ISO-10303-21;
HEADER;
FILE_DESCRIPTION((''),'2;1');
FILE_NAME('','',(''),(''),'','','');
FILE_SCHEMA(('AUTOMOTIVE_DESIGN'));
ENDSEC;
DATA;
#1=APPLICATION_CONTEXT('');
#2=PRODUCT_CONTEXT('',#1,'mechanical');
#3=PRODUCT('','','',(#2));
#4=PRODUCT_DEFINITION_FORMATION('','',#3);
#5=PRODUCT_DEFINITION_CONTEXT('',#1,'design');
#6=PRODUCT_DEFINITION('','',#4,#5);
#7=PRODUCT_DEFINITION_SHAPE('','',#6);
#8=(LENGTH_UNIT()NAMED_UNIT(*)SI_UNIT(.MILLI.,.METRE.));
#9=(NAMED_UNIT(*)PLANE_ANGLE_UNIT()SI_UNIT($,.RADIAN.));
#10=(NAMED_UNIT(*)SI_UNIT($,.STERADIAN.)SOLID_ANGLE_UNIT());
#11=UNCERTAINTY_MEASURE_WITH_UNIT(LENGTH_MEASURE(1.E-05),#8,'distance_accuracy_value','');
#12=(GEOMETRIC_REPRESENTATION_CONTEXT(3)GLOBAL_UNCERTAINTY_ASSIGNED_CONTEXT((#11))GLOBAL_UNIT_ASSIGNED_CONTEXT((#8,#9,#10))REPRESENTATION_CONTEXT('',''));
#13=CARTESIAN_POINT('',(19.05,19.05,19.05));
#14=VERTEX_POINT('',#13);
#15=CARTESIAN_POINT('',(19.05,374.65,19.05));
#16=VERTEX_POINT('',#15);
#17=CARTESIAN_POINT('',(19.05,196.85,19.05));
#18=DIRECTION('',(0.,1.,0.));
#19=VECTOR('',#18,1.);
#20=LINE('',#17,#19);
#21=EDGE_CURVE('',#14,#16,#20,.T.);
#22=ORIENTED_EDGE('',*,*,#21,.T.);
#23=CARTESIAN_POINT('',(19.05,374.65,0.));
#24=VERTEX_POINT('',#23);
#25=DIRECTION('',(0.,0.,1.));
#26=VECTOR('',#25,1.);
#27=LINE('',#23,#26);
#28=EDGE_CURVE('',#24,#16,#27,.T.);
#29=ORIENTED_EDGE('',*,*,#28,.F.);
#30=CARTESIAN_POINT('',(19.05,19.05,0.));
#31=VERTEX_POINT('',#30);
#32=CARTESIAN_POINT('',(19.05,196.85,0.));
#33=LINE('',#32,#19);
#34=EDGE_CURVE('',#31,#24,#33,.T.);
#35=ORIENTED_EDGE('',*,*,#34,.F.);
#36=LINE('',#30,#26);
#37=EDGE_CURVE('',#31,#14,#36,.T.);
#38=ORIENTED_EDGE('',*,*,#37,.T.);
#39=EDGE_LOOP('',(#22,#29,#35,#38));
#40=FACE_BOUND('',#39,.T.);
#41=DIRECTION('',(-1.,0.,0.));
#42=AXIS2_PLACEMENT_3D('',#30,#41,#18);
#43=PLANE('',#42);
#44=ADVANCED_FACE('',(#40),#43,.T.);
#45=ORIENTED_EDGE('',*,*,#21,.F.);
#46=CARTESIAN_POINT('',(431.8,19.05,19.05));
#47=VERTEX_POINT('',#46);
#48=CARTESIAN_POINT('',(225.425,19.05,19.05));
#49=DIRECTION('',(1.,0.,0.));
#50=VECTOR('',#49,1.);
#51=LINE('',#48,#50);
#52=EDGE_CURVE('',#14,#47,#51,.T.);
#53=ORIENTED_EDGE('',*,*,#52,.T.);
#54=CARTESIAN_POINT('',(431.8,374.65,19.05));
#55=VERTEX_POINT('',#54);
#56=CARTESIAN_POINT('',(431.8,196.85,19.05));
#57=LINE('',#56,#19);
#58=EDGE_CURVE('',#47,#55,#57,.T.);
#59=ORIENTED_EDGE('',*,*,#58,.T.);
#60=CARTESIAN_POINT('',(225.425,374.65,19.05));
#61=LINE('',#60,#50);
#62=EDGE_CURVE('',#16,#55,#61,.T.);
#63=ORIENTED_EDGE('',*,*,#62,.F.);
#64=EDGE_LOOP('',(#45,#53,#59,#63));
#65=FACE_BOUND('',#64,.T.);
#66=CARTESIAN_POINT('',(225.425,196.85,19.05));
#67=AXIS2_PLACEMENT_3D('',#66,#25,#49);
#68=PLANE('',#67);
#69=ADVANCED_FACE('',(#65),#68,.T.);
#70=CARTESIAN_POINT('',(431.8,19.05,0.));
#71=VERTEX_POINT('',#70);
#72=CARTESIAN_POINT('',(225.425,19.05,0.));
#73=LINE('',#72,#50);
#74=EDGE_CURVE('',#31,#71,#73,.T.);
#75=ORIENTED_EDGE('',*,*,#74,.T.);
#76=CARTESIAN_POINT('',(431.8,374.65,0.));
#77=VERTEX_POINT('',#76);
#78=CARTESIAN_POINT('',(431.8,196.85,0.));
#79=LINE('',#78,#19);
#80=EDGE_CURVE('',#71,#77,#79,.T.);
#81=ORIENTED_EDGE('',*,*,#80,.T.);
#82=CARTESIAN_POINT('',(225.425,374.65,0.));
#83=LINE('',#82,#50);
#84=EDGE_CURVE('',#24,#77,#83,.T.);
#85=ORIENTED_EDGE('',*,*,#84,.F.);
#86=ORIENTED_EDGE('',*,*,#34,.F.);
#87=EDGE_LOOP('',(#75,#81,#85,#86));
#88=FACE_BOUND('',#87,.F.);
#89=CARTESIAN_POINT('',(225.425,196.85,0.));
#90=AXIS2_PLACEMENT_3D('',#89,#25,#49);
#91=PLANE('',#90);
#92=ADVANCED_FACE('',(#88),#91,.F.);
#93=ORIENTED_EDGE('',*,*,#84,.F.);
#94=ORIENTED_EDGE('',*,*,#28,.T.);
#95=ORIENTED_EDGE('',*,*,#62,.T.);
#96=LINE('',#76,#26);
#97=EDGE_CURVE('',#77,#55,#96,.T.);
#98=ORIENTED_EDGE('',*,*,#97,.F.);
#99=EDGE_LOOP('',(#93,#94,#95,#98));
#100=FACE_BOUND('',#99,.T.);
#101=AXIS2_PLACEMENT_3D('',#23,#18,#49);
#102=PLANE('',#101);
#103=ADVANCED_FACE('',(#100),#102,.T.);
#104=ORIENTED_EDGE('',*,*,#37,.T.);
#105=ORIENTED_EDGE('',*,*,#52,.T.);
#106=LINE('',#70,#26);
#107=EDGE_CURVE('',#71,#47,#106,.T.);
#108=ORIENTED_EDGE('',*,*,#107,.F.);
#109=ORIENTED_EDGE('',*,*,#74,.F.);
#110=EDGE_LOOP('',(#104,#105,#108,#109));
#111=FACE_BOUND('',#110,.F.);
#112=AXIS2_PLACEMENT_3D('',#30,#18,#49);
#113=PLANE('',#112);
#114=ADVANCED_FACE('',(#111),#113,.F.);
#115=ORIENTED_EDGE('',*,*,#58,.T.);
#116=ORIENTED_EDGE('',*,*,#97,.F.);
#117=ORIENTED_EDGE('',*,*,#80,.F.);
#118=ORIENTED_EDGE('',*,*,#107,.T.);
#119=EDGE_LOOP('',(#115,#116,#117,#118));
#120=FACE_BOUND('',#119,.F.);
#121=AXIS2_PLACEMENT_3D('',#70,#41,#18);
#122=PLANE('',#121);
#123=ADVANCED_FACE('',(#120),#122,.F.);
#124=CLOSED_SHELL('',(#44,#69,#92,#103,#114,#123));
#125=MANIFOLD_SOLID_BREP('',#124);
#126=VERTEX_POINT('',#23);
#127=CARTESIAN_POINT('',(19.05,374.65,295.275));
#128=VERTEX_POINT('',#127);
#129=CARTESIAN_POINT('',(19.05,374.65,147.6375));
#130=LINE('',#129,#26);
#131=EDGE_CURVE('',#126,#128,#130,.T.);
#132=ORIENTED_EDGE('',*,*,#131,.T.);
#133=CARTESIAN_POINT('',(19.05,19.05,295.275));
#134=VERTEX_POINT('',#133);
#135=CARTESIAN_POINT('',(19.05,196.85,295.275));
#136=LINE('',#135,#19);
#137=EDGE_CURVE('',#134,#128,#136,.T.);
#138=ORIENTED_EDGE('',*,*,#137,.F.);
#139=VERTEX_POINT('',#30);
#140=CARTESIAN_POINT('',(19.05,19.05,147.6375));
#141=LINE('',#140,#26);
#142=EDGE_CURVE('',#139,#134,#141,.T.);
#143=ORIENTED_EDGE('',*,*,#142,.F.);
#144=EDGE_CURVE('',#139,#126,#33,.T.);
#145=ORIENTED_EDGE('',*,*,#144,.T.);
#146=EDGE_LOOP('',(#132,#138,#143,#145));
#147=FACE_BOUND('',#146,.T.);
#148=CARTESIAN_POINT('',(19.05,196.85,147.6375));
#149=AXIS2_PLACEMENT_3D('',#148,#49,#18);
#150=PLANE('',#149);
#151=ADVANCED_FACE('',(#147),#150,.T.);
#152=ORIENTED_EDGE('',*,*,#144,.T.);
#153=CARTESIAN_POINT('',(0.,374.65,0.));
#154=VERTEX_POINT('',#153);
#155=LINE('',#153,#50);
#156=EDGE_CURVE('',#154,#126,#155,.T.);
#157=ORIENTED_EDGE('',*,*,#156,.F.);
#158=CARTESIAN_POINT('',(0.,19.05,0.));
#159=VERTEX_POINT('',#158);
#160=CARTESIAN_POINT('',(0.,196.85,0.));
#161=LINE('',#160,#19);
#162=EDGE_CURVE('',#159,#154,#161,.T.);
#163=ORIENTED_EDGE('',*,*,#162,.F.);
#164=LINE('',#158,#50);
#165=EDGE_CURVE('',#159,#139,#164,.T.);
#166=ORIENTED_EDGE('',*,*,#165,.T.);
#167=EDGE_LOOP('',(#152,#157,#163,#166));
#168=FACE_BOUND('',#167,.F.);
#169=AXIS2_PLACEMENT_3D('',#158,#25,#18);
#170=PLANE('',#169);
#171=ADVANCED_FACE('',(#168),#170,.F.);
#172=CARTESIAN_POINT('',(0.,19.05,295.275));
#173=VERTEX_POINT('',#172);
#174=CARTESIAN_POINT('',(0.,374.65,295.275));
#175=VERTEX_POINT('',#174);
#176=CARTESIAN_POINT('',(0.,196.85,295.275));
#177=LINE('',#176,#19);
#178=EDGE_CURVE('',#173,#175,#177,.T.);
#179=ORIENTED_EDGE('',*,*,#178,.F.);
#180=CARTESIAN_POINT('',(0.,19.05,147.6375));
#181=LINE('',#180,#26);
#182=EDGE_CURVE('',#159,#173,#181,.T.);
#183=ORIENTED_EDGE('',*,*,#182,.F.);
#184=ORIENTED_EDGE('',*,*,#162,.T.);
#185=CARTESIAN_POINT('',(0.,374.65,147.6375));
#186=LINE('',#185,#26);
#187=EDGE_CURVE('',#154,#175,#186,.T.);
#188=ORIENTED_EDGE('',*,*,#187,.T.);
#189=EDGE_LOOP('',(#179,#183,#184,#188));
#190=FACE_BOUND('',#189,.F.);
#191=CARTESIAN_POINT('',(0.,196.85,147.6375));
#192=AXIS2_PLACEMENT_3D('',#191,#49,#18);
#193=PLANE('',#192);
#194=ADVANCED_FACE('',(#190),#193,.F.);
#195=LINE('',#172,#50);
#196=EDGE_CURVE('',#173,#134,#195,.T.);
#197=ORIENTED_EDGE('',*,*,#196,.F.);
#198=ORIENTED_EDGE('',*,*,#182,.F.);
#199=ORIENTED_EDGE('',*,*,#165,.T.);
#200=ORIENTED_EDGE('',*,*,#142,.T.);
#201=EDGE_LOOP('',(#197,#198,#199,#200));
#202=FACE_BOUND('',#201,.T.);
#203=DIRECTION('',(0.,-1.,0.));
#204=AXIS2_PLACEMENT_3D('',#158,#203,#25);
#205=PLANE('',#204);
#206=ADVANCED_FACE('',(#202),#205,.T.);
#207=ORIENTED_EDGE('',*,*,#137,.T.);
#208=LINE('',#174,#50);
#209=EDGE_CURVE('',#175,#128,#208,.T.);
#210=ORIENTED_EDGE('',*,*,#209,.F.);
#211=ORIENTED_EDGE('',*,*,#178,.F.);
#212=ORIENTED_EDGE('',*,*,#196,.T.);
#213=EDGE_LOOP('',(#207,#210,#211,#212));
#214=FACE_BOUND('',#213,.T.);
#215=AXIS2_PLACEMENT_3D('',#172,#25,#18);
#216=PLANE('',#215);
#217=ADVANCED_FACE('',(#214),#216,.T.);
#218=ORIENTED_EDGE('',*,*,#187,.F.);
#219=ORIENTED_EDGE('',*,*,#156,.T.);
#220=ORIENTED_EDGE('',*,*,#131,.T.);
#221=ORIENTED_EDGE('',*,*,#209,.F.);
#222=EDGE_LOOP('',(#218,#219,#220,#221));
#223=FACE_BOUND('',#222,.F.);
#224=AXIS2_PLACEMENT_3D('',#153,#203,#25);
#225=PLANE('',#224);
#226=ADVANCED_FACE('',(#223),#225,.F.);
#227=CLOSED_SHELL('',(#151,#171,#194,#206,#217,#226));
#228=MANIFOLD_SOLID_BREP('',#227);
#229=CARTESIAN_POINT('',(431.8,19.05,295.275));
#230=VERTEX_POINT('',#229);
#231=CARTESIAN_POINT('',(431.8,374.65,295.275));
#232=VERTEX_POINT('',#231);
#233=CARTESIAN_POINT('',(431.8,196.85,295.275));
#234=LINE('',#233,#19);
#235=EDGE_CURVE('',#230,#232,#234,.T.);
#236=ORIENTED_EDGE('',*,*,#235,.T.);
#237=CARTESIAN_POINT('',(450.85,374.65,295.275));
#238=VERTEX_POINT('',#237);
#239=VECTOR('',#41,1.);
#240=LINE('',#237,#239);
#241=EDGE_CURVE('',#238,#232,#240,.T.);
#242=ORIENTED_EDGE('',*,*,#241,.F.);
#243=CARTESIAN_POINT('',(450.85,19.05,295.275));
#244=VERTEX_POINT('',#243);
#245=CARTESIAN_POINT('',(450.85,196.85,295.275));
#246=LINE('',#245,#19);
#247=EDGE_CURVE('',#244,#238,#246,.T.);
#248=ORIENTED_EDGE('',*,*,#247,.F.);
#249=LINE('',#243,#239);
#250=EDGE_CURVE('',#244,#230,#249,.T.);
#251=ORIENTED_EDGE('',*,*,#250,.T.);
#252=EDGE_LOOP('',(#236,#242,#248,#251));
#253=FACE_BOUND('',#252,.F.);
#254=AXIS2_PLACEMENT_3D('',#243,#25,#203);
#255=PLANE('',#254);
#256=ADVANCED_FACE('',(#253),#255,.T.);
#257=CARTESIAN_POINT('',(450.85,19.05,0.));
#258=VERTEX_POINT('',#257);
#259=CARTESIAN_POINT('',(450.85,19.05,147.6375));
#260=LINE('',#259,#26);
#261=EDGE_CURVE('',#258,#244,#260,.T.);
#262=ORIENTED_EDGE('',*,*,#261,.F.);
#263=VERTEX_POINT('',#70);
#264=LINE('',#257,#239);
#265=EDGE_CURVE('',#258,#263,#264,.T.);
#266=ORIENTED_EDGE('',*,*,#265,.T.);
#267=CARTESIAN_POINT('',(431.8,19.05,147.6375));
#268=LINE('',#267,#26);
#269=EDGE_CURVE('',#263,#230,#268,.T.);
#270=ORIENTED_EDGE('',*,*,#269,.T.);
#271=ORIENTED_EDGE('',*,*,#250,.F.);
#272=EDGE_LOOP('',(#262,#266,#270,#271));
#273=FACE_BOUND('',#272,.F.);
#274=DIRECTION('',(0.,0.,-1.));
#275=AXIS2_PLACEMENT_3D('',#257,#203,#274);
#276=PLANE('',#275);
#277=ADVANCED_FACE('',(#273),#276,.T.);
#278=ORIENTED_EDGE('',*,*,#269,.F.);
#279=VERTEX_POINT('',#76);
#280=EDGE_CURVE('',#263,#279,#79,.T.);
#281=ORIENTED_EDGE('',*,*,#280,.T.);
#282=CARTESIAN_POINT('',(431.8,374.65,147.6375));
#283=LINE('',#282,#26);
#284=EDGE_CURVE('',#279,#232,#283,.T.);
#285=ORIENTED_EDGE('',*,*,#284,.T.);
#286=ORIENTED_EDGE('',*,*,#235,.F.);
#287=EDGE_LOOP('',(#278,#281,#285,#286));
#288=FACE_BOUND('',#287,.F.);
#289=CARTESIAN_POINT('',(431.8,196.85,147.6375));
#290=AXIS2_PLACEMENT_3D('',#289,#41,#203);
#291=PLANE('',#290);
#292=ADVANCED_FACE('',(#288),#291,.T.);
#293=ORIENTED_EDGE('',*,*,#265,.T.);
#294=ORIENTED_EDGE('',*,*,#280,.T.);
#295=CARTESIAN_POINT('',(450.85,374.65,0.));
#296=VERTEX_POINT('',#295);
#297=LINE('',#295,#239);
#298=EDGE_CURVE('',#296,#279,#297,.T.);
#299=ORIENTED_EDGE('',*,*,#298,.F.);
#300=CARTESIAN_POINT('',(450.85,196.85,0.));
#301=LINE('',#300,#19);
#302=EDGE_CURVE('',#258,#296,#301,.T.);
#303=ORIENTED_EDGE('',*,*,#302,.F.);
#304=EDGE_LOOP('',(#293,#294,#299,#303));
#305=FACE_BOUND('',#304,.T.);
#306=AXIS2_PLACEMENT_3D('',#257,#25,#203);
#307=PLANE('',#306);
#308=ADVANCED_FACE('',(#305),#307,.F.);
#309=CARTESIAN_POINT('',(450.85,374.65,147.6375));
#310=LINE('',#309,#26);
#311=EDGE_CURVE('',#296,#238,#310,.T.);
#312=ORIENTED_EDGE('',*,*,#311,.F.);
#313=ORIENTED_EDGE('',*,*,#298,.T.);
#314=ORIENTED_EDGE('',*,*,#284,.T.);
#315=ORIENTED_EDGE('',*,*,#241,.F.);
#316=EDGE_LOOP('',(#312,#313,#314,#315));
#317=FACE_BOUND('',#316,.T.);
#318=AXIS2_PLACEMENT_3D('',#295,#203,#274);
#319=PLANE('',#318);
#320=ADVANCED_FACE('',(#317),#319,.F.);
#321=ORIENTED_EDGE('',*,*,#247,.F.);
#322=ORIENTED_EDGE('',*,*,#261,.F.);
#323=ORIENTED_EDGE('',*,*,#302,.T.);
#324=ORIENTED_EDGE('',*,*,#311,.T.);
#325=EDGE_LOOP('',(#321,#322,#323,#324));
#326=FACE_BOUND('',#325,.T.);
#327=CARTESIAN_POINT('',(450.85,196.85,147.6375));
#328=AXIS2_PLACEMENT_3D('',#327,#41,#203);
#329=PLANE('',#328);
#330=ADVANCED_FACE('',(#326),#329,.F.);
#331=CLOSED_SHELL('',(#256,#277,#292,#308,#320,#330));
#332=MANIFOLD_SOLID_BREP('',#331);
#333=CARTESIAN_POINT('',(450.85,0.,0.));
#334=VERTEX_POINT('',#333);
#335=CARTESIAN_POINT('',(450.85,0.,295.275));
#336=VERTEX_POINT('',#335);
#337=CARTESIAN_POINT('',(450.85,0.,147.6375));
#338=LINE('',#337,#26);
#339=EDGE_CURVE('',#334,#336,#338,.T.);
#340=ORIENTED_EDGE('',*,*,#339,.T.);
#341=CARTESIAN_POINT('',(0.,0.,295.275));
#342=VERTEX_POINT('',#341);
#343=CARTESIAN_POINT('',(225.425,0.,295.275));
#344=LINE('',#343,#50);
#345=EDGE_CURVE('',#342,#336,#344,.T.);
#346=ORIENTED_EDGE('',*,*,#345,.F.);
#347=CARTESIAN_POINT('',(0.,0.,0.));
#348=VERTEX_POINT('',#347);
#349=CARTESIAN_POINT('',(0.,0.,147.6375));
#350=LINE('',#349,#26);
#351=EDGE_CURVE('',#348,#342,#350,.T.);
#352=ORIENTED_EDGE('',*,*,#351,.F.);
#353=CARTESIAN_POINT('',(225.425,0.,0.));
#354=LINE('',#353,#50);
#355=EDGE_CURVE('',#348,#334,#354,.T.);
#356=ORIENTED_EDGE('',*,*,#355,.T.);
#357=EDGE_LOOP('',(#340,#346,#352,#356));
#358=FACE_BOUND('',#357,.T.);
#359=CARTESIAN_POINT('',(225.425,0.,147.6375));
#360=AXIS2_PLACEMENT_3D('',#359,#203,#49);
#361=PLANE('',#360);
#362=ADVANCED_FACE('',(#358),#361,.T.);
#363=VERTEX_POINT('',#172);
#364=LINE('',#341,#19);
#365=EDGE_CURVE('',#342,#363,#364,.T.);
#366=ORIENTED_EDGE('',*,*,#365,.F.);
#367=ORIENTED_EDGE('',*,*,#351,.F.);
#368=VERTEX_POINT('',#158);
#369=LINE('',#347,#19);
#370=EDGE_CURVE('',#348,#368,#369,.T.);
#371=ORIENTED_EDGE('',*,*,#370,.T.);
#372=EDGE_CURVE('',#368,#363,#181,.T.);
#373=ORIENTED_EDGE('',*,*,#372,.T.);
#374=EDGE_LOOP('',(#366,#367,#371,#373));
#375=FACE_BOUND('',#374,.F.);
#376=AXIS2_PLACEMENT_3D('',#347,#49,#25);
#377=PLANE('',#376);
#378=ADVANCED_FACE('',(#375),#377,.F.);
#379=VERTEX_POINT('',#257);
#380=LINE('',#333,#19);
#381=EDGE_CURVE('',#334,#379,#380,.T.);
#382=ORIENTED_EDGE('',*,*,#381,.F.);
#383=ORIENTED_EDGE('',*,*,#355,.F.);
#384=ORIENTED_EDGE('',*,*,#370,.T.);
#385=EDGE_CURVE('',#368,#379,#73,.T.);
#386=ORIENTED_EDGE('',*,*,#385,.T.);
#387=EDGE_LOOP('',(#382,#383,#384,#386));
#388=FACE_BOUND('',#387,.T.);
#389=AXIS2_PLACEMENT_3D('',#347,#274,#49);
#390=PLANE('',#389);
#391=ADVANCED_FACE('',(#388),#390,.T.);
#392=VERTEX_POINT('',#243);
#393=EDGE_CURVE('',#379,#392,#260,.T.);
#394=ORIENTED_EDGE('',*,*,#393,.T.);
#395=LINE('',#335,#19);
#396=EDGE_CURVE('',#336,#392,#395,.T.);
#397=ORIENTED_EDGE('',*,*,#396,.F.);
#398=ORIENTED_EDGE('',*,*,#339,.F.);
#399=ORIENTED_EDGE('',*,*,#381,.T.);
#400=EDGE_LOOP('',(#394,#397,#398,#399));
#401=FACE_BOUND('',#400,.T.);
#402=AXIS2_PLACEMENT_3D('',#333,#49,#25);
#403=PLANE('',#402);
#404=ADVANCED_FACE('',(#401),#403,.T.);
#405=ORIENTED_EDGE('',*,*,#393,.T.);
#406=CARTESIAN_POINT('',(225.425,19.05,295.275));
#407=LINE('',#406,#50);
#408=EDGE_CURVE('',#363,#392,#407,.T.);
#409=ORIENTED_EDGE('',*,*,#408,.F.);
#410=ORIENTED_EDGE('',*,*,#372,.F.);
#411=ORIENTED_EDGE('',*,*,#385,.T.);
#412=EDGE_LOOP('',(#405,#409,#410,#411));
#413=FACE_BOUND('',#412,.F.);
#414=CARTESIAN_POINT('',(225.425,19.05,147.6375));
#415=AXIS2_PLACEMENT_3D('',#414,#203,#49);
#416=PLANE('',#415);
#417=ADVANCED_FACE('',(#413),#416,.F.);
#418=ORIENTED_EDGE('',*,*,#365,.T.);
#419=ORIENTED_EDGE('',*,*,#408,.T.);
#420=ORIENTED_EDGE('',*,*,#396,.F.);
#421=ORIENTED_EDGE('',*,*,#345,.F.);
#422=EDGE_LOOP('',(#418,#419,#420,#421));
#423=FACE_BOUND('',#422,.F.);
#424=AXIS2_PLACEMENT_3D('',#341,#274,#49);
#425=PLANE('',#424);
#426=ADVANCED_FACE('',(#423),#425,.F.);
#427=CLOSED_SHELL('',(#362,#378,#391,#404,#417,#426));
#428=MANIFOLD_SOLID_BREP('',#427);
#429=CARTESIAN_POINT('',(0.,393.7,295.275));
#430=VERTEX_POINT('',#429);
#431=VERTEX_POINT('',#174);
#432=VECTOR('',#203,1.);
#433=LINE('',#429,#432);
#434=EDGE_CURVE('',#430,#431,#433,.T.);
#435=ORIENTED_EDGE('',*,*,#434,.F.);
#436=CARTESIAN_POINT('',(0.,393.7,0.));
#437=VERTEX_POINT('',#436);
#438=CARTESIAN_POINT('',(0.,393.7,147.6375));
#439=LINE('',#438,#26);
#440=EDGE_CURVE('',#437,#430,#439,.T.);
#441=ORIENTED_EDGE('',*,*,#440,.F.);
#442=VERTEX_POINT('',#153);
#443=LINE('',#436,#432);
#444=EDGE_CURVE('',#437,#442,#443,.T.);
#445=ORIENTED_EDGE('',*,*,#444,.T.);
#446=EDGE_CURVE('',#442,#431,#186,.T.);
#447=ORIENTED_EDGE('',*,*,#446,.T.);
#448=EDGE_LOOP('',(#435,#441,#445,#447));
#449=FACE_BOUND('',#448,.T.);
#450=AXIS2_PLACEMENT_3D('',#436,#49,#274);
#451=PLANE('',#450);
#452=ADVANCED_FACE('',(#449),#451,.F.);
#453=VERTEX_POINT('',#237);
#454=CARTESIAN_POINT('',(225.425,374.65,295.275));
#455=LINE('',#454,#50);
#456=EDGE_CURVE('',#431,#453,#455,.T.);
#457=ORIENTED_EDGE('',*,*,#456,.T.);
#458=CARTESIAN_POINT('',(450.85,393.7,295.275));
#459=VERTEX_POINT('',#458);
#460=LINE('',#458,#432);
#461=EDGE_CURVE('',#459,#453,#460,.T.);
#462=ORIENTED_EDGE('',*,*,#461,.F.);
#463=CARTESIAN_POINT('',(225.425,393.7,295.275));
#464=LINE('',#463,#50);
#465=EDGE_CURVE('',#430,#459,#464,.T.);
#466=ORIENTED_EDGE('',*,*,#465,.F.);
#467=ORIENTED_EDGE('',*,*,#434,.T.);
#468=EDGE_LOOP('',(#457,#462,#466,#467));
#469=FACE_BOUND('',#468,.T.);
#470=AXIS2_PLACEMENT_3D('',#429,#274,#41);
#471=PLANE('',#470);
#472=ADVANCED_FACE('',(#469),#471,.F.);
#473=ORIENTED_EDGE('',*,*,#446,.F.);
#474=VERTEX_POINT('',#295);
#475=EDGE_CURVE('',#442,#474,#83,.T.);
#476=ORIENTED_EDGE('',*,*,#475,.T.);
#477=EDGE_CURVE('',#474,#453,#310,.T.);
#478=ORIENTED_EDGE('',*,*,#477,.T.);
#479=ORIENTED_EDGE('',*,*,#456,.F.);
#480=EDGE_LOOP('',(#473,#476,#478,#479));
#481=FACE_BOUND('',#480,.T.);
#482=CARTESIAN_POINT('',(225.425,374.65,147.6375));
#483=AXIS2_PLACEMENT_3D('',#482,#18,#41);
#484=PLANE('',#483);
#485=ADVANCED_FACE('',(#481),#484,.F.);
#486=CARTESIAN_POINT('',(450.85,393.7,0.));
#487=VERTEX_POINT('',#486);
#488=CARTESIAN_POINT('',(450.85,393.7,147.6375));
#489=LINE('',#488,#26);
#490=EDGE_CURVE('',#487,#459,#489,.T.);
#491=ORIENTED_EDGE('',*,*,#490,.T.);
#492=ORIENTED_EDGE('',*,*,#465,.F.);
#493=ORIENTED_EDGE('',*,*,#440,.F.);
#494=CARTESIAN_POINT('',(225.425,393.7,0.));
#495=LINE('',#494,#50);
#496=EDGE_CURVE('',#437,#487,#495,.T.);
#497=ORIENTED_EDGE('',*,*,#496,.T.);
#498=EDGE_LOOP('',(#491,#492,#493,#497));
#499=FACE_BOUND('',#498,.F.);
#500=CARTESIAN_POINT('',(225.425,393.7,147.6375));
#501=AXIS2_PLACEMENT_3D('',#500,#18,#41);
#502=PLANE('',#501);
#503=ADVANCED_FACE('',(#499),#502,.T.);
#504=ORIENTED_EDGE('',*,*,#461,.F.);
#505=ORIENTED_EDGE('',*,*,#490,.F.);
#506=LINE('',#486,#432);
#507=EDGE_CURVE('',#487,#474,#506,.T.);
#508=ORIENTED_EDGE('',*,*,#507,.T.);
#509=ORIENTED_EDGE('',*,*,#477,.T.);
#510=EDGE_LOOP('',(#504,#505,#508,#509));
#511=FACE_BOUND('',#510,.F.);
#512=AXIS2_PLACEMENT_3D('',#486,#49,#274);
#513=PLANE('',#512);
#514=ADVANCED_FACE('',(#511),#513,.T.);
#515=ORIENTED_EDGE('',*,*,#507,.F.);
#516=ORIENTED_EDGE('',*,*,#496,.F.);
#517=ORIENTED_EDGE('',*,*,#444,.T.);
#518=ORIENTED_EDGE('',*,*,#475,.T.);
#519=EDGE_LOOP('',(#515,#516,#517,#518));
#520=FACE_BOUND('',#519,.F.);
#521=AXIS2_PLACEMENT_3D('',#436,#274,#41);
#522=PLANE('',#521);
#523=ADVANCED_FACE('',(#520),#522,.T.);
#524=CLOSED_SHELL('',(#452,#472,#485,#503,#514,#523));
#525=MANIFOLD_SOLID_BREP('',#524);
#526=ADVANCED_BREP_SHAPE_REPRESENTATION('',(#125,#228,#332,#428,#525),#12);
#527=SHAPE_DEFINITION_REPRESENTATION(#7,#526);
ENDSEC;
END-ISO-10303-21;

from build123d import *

# Parameters (mm, degrees)
F0_W     = 450.85
F0_H     = 295.275
F1_DEPTH = 19.05
F2_W     = 355.6
F2_H     = 295.275
F3_DEPTH = 19.05
F8_W     = 412.75
F8_H     = 355.6
F9_DEPTH = 19.05


with BuildPart() as f1:
    # F0 (on Front) → F1 (new body)
    with BuildSketch(Plane.XZ):
        with Locations((225.425, 147.6375)):
            Rectangle(F0_W, F0_H)
    extrude(amount=-F1_DEPTH)


with BuildPart() as f3:
    # F2 (on Right) → F3 (new body)
    with BuildSketch(Plane.YZ):
        with Locations((196.85, 147.6375)):
            Rectangle(F2_W, F2_H)
    extrude(amount=F3_DEPTH)


with BuildPart() as f5_1:
    # F5: instance of F1
    add(f1.part.mirror(Plane.XZ.offset(-196.85)))


with BuildPart() as f7_1:
    # F7: instance of F3
    add(f3.part.mirror(Plane.YZ.offset(225.425)))


with BuildPart() as f9:
    # F8 (on Top) → F9 (new body)
    with BuildSketch(Plane.XY):
        with Locations((225.425, 196.85)):
            Rectangle(F8_W, F8_H)
    extrude(amount=F9_DEPTH)


solid = Compound([f1.part, f3.part, f5_1.part, f7_1.part, f9.part])
